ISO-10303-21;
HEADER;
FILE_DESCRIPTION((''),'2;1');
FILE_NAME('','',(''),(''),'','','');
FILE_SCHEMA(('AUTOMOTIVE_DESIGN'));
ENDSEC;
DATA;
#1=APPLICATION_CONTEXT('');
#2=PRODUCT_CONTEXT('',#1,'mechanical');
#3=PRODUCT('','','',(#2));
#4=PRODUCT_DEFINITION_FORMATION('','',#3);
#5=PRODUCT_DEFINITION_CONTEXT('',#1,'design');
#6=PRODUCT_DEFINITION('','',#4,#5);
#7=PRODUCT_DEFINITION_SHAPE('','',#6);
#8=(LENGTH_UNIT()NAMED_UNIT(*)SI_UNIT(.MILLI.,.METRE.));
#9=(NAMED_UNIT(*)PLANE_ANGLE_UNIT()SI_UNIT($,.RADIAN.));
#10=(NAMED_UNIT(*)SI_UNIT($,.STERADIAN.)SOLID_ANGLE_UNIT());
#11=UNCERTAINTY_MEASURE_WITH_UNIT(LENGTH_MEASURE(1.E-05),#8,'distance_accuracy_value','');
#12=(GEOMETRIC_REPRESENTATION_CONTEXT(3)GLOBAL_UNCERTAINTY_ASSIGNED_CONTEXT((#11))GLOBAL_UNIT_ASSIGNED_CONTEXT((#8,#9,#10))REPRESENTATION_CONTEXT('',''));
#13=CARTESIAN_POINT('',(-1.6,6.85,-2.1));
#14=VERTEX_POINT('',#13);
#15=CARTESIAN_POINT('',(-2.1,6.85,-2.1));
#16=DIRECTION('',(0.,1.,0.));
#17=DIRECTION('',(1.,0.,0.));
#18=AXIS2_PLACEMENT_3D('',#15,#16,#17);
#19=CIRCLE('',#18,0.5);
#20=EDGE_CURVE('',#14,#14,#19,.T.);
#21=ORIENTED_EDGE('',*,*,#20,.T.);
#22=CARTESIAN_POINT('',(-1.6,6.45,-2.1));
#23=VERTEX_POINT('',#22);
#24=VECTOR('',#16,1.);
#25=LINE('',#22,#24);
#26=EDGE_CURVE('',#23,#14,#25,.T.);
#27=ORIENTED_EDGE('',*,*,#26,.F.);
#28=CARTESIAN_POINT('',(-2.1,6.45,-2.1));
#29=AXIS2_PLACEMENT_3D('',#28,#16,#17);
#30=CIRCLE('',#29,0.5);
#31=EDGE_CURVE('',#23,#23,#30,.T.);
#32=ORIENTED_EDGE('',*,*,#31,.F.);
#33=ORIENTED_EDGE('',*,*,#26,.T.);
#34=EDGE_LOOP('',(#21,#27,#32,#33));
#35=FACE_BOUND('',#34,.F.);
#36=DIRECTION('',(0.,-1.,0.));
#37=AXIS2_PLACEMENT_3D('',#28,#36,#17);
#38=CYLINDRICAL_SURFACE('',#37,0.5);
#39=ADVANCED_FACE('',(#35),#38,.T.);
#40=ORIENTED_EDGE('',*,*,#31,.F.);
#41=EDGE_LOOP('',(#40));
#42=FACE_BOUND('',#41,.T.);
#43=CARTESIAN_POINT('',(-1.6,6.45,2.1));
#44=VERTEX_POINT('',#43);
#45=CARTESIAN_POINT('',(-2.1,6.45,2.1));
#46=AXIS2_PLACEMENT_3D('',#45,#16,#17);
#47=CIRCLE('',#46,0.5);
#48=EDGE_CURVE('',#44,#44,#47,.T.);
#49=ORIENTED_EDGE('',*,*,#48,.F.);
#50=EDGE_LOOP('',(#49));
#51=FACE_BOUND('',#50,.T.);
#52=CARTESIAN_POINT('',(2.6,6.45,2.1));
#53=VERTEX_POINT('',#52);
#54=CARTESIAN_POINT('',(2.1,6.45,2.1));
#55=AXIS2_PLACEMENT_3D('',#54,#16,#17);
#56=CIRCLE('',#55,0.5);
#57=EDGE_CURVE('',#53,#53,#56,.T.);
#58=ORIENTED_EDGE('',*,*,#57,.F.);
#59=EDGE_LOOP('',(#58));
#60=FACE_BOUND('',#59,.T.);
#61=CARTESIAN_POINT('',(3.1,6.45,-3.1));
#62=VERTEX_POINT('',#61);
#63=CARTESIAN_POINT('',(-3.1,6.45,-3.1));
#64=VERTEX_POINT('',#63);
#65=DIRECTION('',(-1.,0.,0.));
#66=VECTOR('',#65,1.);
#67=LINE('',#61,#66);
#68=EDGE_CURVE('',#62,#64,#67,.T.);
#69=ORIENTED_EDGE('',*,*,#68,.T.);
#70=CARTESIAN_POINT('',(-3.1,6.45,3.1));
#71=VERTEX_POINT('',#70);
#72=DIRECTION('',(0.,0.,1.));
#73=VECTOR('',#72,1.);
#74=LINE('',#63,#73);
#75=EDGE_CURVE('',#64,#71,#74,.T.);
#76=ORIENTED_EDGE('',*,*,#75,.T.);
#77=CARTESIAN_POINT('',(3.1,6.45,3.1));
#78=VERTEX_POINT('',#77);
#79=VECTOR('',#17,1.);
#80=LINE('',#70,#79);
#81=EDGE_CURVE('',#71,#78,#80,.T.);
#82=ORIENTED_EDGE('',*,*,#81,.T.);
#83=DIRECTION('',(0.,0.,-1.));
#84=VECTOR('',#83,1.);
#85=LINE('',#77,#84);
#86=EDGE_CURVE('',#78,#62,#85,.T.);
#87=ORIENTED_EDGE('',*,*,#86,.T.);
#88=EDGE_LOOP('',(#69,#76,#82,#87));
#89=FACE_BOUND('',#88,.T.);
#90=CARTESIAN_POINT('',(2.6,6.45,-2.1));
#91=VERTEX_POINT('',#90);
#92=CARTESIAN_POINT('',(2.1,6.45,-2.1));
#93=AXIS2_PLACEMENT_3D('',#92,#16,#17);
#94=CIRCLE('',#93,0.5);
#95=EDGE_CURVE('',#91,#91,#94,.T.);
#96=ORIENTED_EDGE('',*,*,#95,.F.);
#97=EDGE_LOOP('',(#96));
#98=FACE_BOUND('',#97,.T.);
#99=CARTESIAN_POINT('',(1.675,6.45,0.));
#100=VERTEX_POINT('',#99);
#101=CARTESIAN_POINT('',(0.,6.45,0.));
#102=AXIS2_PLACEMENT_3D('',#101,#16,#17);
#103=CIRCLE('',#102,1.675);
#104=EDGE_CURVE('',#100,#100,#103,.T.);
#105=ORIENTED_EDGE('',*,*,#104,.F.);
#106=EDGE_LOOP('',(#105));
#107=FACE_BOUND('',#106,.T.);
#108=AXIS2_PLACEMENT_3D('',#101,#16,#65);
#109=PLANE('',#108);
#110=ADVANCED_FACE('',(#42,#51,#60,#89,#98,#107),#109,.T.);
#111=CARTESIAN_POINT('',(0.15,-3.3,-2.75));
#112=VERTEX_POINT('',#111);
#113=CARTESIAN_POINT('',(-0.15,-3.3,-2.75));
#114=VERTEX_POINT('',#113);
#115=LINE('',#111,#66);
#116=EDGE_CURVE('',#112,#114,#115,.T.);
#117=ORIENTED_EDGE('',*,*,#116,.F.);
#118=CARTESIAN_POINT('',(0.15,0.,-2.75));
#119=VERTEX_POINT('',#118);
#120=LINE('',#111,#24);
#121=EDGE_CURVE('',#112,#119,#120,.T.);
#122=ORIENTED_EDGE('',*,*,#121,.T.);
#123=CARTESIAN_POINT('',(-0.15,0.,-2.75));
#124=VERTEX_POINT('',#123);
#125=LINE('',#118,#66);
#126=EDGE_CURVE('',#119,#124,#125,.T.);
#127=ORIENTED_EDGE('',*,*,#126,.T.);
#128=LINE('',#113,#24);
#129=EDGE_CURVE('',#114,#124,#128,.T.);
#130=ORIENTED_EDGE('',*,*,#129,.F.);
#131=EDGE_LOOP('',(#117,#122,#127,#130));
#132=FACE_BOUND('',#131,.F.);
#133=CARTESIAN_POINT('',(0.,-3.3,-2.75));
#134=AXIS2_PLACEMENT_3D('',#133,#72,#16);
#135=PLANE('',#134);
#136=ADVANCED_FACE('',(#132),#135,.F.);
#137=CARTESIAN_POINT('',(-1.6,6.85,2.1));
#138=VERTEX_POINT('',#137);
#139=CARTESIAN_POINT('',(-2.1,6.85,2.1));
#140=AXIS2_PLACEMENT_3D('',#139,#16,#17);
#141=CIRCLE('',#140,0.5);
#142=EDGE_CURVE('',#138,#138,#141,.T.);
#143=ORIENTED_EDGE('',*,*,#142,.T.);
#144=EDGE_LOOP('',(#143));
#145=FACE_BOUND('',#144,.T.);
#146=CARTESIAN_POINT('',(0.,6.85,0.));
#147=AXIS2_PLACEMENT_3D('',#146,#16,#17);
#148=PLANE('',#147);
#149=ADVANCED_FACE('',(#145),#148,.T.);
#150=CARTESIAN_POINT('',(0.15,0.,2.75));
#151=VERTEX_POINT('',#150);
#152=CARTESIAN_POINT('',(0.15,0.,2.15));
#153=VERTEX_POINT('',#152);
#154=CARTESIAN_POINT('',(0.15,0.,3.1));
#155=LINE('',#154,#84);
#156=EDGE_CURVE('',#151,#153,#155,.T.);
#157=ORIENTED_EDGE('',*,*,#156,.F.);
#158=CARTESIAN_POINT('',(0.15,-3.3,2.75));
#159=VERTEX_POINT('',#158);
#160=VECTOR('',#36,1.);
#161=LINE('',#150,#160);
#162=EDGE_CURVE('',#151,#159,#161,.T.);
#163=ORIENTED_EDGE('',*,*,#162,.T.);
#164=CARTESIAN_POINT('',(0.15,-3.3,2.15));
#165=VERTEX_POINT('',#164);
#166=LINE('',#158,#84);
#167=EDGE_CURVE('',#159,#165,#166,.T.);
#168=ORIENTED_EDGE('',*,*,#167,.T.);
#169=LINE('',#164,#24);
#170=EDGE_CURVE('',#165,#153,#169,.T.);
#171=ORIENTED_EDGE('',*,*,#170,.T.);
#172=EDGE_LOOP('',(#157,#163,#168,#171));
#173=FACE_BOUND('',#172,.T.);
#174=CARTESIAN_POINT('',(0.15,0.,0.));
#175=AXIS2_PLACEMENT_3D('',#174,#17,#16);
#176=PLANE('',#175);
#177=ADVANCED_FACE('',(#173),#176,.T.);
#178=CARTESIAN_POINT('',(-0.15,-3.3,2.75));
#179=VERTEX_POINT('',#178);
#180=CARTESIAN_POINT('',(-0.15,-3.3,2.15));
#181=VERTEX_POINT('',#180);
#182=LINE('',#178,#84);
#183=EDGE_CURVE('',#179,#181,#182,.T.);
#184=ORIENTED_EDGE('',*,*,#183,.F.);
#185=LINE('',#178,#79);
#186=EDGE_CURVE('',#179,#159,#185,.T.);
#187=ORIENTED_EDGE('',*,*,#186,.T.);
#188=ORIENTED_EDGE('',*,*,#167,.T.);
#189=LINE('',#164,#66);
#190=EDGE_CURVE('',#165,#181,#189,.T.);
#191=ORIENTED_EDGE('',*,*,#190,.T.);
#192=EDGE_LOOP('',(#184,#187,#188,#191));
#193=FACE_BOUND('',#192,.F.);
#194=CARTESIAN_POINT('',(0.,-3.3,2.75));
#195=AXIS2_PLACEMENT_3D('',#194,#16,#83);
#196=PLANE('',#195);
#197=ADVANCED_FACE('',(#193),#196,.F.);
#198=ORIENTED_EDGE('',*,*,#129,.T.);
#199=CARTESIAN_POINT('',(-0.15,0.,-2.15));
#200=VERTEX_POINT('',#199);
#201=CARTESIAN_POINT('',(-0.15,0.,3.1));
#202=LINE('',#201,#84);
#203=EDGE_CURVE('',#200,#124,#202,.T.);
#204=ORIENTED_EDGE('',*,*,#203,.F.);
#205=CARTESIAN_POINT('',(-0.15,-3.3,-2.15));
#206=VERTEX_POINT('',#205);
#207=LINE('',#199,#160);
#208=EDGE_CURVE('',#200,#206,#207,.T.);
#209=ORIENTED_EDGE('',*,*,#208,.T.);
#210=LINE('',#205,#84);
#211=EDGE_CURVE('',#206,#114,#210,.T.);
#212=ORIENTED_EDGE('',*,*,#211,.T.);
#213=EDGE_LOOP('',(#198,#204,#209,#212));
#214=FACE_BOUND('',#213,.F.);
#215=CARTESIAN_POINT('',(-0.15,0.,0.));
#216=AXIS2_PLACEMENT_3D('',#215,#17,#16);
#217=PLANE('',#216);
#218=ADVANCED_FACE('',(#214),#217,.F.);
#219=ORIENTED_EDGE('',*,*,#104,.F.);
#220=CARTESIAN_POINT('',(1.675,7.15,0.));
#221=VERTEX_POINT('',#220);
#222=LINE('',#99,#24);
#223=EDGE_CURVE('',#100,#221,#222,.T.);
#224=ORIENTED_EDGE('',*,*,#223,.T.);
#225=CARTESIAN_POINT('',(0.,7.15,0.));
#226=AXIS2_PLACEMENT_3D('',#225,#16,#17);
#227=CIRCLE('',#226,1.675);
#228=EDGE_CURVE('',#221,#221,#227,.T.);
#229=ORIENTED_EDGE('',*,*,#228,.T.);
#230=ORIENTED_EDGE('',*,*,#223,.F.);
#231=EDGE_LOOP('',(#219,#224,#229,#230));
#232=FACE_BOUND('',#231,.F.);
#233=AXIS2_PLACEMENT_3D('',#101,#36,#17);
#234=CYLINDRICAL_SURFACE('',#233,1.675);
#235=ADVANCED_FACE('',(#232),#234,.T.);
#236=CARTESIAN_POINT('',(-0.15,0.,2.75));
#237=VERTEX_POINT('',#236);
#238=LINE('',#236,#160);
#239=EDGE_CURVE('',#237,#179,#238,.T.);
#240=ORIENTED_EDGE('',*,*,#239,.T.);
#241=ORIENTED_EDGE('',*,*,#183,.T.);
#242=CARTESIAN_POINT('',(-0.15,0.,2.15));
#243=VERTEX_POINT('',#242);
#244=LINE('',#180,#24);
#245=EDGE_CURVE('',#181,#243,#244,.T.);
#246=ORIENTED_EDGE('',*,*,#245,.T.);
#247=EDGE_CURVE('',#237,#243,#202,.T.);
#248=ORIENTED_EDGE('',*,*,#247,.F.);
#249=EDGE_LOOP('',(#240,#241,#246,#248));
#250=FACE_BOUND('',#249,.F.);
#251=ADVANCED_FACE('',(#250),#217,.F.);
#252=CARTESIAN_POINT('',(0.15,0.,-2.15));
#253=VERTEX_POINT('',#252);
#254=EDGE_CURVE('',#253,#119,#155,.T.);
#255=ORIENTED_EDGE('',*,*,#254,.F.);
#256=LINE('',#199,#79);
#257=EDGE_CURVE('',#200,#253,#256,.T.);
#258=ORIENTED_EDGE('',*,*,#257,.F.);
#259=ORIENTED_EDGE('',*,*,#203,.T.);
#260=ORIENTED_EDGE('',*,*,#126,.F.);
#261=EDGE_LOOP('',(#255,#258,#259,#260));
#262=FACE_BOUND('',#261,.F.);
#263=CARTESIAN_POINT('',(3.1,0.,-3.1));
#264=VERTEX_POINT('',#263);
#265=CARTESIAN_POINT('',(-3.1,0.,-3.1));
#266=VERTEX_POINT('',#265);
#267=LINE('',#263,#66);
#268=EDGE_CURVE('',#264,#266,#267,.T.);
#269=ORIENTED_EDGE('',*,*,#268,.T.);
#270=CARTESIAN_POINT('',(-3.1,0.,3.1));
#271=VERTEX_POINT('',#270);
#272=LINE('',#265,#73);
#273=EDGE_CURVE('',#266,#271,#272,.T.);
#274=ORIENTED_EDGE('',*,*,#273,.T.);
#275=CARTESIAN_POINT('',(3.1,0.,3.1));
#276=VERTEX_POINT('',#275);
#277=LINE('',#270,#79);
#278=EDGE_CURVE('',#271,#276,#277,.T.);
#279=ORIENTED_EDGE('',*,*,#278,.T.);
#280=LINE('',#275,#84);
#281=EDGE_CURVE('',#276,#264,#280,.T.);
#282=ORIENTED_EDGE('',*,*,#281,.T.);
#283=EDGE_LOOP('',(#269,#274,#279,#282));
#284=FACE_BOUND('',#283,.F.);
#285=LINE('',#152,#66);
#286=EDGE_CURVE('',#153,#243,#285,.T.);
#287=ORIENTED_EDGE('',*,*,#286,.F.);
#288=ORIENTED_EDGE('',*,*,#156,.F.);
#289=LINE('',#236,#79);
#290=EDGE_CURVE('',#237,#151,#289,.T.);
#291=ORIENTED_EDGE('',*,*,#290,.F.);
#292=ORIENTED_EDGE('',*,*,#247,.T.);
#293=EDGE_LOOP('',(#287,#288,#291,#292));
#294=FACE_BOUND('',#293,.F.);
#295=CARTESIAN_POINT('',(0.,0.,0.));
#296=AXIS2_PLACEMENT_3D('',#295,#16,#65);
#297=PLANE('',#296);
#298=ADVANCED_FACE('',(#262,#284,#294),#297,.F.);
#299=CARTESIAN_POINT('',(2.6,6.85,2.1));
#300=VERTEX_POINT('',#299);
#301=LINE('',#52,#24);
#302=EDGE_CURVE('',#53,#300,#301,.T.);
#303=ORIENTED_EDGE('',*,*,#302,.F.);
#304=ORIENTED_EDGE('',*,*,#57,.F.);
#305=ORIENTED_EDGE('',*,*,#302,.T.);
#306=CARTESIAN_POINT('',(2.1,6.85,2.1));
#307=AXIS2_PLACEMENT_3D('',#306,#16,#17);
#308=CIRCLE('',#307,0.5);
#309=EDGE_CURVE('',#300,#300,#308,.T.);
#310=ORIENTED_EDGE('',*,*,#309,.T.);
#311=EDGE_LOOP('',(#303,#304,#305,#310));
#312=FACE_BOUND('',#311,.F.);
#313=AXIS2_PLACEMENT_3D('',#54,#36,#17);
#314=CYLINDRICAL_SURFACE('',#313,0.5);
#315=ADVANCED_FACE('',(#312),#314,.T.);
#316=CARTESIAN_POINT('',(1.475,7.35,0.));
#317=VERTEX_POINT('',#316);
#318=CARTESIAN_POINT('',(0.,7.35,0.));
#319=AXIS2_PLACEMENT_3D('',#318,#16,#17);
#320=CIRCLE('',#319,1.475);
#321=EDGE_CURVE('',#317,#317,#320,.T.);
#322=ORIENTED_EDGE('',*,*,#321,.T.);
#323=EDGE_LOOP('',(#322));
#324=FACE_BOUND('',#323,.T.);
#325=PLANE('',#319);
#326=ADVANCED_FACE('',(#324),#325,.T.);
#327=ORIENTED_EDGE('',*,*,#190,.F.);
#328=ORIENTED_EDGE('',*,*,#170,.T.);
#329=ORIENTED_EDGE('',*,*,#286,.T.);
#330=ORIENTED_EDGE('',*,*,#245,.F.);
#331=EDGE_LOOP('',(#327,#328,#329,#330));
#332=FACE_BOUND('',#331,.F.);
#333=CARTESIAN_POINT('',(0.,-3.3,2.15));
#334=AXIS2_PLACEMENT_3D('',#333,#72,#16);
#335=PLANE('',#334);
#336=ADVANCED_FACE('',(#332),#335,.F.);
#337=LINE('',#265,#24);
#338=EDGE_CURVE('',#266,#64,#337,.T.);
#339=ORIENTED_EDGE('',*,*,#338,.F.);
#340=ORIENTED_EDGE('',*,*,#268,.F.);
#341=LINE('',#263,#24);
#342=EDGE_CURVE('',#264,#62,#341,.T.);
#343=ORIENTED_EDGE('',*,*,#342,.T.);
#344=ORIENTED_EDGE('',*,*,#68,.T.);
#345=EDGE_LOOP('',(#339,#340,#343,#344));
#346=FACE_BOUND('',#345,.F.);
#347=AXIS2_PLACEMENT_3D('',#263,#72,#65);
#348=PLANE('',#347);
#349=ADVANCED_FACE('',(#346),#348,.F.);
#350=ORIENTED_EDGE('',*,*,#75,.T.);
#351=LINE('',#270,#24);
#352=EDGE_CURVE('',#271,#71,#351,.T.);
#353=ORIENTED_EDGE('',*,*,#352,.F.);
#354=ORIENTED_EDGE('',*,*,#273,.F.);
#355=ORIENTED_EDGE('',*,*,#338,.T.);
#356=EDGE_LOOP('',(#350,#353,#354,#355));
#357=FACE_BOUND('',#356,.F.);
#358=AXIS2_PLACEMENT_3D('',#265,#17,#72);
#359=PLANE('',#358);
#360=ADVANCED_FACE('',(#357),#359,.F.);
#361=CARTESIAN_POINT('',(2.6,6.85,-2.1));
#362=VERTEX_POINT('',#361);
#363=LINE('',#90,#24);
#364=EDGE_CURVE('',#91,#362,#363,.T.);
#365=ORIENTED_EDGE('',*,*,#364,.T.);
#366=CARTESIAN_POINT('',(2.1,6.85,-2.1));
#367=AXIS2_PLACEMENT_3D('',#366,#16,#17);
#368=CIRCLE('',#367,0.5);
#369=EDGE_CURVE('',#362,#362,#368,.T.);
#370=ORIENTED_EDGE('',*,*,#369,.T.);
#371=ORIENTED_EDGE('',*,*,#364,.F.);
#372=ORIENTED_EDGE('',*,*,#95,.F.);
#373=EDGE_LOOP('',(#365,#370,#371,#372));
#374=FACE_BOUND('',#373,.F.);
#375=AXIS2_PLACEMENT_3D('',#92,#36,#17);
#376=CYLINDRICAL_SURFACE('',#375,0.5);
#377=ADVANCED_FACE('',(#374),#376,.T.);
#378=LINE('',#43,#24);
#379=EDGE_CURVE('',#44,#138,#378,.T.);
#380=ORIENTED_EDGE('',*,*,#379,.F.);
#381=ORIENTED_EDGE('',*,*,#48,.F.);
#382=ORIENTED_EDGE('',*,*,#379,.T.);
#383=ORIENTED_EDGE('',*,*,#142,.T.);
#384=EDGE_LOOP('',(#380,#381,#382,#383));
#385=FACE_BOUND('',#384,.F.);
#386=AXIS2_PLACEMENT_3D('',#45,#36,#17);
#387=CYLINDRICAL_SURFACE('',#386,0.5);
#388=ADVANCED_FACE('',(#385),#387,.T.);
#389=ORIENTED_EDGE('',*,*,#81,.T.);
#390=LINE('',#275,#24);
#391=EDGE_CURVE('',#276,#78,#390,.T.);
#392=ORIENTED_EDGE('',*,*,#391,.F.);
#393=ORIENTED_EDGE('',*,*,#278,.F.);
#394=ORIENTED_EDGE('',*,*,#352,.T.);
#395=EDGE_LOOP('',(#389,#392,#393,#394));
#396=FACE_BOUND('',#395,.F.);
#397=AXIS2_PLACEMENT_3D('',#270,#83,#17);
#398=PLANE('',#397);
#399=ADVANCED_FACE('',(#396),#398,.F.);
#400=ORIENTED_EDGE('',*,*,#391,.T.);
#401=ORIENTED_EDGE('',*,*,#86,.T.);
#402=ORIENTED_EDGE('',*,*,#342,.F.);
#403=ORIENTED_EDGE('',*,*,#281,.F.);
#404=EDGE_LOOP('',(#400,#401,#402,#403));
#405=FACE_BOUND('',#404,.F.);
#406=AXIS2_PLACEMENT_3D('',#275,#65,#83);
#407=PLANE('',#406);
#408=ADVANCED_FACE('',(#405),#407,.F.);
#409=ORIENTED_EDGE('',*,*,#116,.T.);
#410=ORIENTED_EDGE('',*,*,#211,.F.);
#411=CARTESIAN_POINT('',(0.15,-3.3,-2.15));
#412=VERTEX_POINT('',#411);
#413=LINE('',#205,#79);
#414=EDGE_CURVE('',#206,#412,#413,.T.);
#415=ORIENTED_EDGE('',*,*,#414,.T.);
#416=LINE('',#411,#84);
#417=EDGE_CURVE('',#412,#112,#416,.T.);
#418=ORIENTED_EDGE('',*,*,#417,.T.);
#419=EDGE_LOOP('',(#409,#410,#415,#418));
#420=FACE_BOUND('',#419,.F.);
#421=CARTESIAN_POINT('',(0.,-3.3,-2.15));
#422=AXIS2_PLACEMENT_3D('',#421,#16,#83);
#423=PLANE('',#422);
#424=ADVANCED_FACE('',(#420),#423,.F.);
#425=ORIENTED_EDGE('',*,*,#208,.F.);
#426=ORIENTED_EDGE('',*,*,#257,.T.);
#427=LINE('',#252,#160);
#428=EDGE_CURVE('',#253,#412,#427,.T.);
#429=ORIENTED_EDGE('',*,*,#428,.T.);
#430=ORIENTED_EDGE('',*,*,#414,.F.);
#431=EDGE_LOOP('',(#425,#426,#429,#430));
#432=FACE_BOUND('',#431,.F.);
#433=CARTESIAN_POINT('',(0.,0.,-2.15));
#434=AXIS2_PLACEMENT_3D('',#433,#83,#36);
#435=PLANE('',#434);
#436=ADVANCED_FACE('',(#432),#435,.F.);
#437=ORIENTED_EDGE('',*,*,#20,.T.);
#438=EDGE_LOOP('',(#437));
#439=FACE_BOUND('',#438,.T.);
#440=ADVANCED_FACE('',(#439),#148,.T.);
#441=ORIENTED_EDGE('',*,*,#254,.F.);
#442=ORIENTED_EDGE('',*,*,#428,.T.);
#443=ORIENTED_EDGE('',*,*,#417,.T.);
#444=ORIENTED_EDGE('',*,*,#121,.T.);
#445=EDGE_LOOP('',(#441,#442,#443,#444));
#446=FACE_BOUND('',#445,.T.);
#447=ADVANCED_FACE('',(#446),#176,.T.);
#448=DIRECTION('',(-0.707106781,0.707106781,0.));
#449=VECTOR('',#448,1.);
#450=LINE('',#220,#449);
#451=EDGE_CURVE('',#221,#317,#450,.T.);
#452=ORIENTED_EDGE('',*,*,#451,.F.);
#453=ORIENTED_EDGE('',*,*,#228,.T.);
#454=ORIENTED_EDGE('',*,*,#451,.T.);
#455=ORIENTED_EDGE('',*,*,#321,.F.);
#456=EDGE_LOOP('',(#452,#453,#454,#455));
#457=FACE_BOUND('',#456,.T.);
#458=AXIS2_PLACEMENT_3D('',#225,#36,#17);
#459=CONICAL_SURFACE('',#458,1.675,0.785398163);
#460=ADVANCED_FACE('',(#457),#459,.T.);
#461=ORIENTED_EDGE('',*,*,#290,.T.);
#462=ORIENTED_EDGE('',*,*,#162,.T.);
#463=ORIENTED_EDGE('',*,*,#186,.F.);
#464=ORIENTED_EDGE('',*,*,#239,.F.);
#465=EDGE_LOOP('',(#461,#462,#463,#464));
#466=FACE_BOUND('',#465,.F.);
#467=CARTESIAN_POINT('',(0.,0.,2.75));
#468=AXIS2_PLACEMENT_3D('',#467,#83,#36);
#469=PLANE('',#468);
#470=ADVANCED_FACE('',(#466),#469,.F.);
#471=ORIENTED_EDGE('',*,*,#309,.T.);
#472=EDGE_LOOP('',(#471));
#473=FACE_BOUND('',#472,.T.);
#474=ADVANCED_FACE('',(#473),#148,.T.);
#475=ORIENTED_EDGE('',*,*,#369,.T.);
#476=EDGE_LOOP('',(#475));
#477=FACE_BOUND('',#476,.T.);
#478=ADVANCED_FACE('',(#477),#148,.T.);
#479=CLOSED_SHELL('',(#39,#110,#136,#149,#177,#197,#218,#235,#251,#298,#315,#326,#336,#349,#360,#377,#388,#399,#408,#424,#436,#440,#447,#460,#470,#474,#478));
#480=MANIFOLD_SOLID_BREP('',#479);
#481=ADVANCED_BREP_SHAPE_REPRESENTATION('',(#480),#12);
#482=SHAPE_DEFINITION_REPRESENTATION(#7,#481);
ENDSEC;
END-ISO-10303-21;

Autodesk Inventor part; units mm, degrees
ref_plane "YZ Plane" through (0, 0, 0) normal (1, 0, 0) x (0, 1, 0)
ref_plane "XZ Plane" through (0, 0, 0) normal (0, 1, 0) x (-1, 0, 0)
ref_plane "XY Plane" through (0, 0, 0) normal (0, 0, 1) x (1, 0, 0)
sketch "Sketch1" plane through (0, 0, 0) normal (0, 1, 0) x (-1, 0, 0)
  line L0 (3.1, 3.1) -> (-3.1, 3.1)
  line L1 (-3.1, 3.1) -> (-3.1, -3.1)
  line L2 (-3.1, -3.1) -> (3.1, -3.1)
  line L3 (3.1, -3.1) -> (3.1, 3.1)
  line L4 (4.34, 0) -> (-4.34, 0) construction
  line L5 (0, -4.34) -> (0, 4.34) construction
  point P0 (0, 0)
  dimension "d0" = 6.2
  dimension "d1" = 6.2
extrude "Extrusion1" add sketch "Sketch1" along normal blind 6.45
sketch "Sketch2" plane through (0, 6.45, 0) normal (0, 1, 0) x (1, 0, 0)
  circle A0 centre (-2.1, -2.1) radius 0.5
  circle A1 centre (-2.1, 2.1) radius 0.5
  circle A2 centre (2.1, 2.1) radius 0.5
  circle A3 centre (2.1, -2.1) radius 0.5
  line L0 (-3.1, -3.1) -> (3.1, -3.1) projected
  line L1 (-3.1, 3.1) -> (-3.1, -3.1) projected
  line L2 (3.1, 3.1) -> (-3.1, 3.1) projected
  line L3 (3.1, -3.1) -> (3.1, 3.1) projected
  point P0 (0, 0)
  dimension "d4" = 1
  dimension "d5" = 1
  dimension "d6" = 1
  dimension "d7" = 1
  dimension "d8" = 1
  dimension "d9" = 1
  dimension "d10" = 1
  dimension "d11" = 1
extrude "Extrusion2" add sketch "Sketch2" along normal blind 0.4 contours A0 | A1 | A2 | A3
sketch "Sketch3" plane through (0, 6.45, 0) normal (0, 1, 0) x (1, 0, 0)
  circle A0 centre (0, 0) radius 1.675
  dimension "d14" = 3.35
extrude "Extrusion3" add sketch "Sketch3" along normal blind 0.9
chamfer "Chamfer1" distance 0.2 angle 45 1 edges at (-1.675, 7.35, 0)
sketch "Sketch4" plane through (0, 0, 0) normal (1, 0, 0) x (0, 1, 0)
  line L0 (0, 3.1) -> (0, -3.1) projected
  line L1 (0, 2.75) -> (-3.3, 2.75)
  line L2 (-3.3, 2.75) -> (-3.3, 2.15)
  line L3 (-3.3, 2.15) -> (0, 2.15)
  line L4 (0, -2.15) -> (-3.3, -2.15)
  line L5 (-3.3, -2.15) -> (-3.3, -2.75)
  line L6 (-3.3, -2.75) -> (0, -2.75)
  line L7 (-3.96, 0) -> (0.66, 0) projected
  point P0 (0, 0)
  dimension "d20" = 5.5
  dimension "d21" = 0.6
  dimension "d22" = 0.6
  dimension "d23" = 3.3
extrude "Extrusion4" add sketch "Sketch4" along normal mid plane 0.3
properties part number "6mm_switch"
